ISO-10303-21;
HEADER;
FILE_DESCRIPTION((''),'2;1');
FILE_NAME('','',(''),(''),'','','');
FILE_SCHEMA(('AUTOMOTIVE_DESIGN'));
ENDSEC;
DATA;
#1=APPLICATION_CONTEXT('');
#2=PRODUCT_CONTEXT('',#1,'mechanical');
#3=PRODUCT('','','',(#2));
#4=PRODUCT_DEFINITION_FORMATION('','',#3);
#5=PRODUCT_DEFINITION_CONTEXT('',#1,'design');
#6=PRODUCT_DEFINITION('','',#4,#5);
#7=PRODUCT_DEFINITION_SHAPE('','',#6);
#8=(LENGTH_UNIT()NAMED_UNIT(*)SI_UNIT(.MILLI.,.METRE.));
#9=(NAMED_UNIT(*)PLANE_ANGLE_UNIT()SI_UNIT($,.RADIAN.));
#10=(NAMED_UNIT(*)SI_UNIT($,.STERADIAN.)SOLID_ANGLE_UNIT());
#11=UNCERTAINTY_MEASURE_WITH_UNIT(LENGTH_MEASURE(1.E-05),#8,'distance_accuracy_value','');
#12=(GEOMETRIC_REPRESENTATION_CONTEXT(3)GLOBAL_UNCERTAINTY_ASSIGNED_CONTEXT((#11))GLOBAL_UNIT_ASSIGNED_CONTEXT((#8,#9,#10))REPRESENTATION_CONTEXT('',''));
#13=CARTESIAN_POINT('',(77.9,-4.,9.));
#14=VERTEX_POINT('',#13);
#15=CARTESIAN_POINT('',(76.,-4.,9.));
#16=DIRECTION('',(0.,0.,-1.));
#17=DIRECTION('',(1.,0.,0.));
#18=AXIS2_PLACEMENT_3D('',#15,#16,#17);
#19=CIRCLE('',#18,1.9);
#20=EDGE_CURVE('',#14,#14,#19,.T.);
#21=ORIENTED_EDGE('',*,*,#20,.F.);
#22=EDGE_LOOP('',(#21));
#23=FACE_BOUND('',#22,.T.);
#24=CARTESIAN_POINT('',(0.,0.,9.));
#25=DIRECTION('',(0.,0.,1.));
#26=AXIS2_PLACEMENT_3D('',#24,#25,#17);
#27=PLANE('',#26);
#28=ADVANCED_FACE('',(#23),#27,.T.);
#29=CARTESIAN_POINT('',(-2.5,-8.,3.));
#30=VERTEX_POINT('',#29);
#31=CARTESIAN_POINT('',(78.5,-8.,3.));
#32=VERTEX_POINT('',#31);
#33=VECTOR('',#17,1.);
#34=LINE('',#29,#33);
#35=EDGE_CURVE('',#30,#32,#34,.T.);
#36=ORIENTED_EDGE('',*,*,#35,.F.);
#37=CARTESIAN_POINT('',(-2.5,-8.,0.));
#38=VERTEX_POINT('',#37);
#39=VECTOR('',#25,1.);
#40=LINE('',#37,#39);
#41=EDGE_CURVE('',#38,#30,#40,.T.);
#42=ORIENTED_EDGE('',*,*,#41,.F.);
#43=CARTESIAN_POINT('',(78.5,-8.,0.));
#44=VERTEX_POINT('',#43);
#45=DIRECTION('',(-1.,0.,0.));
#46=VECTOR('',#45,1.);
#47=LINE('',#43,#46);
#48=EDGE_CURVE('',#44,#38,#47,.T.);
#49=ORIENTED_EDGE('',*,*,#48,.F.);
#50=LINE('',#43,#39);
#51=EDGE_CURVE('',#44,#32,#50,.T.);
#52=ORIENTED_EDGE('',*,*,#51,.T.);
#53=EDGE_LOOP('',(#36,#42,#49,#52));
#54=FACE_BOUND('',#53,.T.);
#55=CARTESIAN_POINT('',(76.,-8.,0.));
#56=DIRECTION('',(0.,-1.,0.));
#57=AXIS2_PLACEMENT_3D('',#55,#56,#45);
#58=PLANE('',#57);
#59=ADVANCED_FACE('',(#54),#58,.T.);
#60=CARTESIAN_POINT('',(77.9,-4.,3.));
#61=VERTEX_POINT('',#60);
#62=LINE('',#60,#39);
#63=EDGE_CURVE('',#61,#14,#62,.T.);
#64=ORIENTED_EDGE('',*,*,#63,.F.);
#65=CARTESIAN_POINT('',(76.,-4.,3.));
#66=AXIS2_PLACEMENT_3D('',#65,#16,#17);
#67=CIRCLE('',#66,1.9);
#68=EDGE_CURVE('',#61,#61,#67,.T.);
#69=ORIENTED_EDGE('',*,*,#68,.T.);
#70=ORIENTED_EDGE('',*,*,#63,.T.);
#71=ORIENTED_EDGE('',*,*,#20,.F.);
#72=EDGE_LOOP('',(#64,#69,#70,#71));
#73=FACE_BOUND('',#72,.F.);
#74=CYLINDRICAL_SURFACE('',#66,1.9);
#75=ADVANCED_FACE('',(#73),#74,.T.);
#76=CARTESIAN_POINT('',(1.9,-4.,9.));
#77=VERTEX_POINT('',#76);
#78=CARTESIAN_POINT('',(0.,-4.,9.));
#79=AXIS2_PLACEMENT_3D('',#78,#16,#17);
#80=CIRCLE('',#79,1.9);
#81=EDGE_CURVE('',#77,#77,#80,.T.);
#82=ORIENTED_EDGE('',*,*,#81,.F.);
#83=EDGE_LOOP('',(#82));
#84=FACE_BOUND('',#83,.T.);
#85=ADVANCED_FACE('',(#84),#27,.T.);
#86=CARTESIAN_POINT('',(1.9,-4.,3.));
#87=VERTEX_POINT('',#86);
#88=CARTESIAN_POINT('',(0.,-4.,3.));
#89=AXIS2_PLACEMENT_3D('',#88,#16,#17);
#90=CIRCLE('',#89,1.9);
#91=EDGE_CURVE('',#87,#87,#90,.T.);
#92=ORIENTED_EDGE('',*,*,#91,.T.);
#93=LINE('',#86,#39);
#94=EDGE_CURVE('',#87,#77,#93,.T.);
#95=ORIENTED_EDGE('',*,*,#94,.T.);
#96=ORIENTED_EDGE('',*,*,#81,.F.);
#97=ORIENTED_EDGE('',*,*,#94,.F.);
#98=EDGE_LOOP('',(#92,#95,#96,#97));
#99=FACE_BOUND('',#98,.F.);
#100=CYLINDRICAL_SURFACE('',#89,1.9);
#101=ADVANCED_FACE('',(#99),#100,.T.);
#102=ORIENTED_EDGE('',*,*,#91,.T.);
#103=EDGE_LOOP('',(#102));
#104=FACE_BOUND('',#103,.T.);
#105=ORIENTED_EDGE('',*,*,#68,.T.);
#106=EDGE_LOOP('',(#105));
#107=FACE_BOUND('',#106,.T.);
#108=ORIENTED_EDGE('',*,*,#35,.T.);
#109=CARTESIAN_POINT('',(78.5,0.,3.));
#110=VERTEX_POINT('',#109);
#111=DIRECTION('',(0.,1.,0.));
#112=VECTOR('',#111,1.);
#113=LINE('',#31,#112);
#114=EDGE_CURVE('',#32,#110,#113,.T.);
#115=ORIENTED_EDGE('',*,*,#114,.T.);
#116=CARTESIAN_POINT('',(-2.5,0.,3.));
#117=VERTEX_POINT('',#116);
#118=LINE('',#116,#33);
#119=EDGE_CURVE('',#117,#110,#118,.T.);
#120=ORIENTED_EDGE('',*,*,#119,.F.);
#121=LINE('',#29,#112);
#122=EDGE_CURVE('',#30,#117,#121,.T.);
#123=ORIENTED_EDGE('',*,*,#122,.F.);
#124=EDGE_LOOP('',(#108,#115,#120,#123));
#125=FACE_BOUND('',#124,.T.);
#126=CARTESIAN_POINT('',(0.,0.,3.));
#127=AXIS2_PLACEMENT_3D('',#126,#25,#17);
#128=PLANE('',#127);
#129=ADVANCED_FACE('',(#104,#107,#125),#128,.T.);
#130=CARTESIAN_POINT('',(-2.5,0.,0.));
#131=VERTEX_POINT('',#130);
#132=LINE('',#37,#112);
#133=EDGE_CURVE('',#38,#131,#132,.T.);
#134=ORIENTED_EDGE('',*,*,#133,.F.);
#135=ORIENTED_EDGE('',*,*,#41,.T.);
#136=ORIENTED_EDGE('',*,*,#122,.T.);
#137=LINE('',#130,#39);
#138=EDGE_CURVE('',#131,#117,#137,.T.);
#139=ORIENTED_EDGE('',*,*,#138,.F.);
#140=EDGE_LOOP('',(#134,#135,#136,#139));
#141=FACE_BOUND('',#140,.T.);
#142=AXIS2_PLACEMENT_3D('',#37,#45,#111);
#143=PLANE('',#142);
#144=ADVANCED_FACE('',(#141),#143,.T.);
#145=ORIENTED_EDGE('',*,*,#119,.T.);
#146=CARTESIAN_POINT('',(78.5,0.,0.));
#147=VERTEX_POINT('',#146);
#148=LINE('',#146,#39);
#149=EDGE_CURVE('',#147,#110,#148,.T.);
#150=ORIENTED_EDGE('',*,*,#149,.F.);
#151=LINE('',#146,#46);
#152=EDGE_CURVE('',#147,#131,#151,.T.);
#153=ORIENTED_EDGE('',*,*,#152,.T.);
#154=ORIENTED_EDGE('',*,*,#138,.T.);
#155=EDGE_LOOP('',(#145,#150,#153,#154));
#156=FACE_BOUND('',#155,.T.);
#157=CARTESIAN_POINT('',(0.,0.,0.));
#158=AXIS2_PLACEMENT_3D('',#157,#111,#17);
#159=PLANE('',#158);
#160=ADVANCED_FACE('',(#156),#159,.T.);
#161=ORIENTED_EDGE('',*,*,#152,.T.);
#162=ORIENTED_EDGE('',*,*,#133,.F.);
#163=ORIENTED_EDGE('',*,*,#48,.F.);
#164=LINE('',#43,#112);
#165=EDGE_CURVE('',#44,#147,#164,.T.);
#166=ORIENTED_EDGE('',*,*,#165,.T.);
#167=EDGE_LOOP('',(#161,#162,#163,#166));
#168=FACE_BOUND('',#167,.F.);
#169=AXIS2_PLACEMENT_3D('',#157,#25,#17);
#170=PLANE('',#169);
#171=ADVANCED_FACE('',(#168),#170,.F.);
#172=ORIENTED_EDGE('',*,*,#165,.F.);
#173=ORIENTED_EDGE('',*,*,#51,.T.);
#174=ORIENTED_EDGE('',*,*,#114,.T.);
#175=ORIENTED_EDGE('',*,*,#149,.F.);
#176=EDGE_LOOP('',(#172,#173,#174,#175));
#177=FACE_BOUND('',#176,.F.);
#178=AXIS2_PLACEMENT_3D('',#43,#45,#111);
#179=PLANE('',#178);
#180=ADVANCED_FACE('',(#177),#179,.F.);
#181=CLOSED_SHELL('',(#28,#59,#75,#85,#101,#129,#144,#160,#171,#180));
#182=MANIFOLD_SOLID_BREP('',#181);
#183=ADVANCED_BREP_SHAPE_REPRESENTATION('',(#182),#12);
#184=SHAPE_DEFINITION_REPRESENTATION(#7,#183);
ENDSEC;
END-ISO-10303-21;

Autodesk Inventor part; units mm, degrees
ref_plane "YZ Plane" through (0, 0, 0) normal (1, 0, 0) x (0, 1, 0)
ref_plane "XZ Plane" through (0, 0, 0) normal (0, 1, 0) x (-1, 0, 0)
ref_plane "XY Plane" through (0, 0, 0) normal (0, 0, 1) x (1, 0, 0)
sketch "Sketch1" plane through (0, 0, 0) normal (0, 0, 1) x (1, 0, 0)
  line L0 (0, 0) -> (76, 0)
  line L1 (76, 0) -> (76, -8)
  line L2 (76, -8) -> (0, -8)
  line L3 (0, -8) -> (0, 0)
  dimension "d0" = 76
  dimension "d1" = 8
extrude "Extrusion1" add sketch "Sketch1" along normal blind 3
sketch "Sketch2" plane through (0, 0, 3) normal (0, 0, 1) x (1, 0, 0)
  line L0 (0, 0) -> (0, -8) projected
  circle A0 centre (0, -4) radius 1.9
  line L1 (76, -8) -> (76, 0) projected
  circle A1 centre (76, -4) radius 1.9
  dimension "d4" = 3.8
  dimension "d5" = 3.8
extrude "Extrusion2" add sketch "Sketch2" along normal blind 6
sketch "Sketch3" plane through (0, 0, 0) normal (0, 0, -1) x (-1, 0, 0)
  line L0 (0, -8) -> (-76, -8) projected
  line L1 (0, -8) -> (2.5, -8)
  line L2 (2.5, -8) -> (2.5, 0)
  line L3 (2.5, 0) -> (0, 0)
  line L4 (0, 0) -> (0, -8)
  line L5 (-76, -8) -> (-78.5, -8)
  line L6 (-78.5, -8) -> (-78.5, 0)
  line L7 (-78.5, 0) -> (-76, 0)
  line L8 (-76, 0) -> (-76, -8)
  dimension "d8" = 2.5
  dimension "d9" = 2.5
extrude "Extrusion3" add sketch "Sketch3" against normal blind 3
properties part number "SteeringWheel"
